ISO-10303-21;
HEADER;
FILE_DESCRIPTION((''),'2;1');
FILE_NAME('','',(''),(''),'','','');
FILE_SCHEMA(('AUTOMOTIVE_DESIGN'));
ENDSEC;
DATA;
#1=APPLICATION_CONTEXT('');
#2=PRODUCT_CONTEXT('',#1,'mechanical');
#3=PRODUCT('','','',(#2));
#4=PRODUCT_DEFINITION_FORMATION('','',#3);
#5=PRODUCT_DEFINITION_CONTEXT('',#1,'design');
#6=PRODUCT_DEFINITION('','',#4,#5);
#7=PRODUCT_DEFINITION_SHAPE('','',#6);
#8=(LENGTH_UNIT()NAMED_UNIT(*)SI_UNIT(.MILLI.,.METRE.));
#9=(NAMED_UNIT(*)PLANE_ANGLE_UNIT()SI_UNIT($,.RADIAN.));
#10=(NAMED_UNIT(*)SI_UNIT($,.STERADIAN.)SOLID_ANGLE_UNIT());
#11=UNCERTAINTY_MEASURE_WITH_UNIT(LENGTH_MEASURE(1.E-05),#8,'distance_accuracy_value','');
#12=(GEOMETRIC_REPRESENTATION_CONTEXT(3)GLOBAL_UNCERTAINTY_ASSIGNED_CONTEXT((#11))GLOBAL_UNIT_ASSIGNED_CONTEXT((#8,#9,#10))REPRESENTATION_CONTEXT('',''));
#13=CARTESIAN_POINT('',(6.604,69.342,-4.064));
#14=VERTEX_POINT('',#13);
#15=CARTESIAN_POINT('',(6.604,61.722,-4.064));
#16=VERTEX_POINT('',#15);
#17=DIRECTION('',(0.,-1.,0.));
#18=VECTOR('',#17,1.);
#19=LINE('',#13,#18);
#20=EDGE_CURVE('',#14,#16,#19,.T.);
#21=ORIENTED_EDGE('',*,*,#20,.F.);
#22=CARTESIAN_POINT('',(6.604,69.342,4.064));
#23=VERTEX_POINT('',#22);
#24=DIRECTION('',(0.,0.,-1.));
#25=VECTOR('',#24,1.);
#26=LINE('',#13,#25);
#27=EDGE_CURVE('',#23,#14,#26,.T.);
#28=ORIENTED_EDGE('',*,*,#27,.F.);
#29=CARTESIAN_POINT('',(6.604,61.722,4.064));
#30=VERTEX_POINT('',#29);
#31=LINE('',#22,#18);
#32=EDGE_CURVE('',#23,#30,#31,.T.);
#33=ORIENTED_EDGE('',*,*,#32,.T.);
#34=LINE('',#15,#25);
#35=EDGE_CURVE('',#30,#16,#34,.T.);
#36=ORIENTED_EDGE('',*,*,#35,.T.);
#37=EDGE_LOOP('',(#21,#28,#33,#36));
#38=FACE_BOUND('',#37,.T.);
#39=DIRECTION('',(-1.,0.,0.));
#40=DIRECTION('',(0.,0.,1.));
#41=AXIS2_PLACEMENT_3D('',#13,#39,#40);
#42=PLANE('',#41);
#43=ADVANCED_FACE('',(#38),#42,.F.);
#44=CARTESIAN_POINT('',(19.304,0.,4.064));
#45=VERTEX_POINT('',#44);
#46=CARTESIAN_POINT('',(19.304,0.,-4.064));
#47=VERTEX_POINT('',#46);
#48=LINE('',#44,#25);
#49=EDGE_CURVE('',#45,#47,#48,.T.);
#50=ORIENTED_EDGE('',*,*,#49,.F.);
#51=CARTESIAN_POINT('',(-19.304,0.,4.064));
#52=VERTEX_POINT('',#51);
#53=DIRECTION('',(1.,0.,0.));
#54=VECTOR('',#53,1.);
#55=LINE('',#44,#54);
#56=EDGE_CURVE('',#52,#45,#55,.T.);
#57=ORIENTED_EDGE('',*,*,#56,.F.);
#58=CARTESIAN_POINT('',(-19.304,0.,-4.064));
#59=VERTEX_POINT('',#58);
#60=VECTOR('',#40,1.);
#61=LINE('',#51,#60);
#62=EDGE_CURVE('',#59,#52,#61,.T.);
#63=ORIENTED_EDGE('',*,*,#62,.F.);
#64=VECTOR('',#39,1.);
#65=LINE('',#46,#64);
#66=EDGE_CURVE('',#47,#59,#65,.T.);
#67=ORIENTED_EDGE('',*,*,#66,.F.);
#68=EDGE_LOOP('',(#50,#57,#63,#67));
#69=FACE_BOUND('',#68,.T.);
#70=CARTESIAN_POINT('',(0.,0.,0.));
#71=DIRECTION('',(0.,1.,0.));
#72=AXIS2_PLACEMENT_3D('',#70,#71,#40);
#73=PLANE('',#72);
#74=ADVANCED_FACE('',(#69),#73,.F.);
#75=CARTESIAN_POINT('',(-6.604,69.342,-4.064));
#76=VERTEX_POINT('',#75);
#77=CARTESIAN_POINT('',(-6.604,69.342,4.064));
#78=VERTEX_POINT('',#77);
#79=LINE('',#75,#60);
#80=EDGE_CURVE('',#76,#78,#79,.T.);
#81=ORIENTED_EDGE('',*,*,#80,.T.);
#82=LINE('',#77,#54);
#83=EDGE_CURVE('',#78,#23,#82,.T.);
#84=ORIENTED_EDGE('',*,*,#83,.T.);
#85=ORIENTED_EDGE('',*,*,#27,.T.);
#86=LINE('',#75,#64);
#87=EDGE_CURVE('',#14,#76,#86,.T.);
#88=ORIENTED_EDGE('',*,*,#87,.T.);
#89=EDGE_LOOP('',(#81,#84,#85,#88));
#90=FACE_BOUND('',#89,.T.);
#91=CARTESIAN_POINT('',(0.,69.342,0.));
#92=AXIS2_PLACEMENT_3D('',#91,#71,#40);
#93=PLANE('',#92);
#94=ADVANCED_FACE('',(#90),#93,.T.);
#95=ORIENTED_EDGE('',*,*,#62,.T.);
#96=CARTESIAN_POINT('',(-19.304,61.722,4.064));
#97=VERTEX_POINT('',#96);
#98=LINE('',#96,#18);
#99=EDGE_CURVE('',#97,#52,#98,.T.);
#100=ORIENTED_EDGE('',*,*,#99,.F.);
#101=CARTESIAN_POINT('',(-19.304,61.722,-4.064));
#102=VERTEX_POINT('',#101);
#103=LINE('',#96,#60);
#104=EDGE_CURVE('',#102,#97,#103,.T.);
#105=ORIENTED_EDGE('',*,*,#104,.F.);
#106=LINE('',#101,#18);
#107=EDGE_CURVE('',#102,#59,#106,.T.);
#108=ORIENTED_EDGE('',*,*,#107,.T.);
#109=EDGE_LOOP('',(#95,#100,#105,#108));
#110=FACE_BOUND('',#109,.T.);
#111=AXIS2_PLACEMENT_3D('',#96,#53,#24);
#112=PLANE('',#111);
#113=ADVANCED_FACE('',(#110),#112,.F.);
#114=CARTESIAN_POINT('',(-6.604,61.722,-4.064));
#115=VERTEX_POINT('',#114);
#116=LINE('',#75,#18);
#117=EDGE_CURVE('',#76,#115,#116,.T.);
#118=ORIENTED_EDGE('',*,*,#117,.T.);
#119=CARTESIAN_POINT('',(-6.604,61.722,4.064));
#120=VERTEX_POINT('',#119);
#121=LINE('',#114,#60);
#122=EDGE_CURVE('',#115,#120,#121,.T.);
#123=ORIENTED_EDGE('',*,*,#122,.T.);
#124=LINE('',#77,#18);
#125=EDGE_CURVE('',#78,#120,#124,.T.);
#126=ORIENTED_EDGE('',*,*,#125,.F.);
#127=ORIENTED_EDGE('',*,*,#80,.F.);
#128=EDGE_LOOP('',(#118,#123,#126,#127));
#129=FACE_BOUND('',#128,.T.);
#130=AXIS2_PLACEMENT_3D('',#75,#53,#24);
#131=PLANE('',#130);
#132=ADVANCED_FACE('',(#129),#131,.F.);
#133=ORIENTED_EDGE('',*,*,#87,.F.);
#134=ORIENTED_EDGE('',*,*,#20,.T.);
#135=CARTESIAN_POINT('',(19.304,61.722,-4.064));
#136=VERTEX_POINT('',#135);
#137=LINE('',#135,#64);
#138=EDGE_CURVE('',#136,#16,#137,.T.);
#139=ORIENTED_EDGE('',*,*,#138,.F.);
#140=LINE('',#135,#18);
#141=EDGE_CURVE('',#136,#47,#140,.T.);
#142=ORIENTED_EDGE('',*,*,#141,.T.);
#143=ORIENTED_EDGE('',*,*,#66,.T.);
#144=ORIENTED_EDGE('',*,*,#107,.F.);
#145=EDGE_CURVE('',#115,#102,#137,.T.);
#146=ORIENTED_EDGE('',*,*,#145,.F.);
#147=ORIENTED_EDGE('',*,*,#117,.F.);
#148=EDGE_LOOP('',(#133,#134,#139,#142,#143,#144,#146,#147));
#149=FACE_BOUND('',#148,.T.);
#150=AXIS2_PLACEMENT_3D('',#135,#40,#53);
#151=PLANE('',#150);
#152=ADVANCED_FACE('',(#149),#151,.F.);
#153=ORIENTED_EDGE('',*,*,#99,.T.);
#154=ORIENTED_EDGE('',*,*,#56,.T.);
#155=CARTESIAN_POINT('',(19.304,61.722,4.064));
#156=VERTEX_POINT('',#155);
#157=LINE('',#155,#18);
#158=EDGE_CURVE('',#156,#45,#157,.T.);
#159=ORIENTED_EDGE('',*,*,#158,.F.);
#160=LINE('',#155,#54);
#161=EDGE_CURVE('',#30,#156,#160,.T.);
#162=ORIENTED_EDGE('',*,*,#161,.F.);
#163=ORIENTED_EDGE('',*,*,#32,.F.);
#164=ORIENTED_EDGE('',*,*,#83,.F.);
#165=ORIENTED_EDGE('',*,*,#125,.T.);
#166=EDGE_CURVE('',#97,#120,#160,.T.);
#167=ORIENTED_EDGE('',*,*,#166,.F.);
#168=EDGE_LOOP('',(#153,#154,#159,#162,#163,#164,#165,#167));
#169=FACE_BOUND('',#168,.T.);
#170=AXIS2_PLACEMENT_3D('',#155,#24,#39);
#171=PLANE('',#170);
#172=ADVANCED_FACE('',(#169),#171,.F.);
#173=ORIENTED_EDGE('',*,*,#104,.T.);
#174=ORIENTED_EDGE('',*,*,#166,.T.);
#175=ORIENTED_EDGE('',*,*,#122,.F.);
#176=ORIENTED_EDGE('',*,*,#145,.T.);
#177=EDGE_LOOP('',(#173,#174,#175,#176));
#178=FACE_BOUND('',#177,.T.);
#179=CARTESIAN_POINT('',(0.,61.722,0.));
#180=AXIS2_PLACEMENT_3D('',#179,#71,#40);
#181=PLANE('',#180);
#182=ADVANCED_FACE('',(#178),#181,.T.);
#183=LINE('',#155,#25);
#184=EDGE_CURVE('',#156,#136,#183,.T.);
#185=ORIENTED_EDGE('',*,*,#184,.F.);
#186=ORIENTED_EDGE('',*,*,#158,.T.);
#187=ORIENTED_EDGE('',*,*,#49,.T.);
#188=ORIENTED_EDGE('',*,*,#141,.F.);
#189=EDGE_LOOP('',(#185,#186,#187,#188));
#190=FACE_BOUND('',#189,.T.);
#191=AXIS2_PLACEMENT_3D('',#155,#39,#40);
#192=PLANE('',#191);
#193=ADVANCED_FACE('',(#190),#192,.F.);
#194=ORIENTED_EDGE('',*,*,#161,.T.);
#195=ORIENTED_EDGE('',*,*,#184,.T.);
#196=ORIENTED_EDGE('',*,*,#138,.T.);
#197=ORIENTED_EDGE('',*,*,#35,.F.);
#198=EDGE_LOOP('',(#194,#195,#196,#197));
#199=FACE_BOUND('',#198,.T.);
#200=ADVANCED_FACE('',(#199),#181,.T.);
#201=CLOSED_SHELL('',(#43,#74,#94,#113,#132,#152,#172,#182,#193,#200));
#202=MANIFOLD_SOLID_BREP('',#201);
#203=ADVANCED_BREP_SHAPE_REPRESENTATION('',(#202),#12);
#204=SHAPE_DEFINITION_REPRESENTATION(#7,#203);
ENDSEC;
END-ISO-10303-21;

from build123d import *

# Parameters (mm, degrees)
SKETCH2_W           = 38.608
SKETCH2_H           = 8.128
BOSS_EXTRUDE1_DEPTH = 61.722
SKETCH3_W           = 13.208
SKETCH3_H           = 8.128
BOSS_EXTRUDE2_DEPTH = 7.62


with BuildPart() as part:
    # Sketch2 → Boss-Extrude1 (new body)
    with BuildSketch(Plane(origin=(0, 0, 0), x_dir=(1, 0, 0), z_dir=(0, 1, 0))):
        Rectangle(SKETCH2_W, SKETCH2_H)
    extrude(amount=BOSS_EXTRUDE1_DEPTH)

    # Sketch3 → Boss-Extrude2 (add)
    with BuildSketch(Plane(origin=(0, 61.722, 0), x_dir=(1, 0, 0), z_dir=(0, 1, 0))):
        Rectangle(SKETCH3_W, SKETCH3_H)
    extrude(amount=BOSS_EXTRUDE2_DEPTH)


solid = part.part
